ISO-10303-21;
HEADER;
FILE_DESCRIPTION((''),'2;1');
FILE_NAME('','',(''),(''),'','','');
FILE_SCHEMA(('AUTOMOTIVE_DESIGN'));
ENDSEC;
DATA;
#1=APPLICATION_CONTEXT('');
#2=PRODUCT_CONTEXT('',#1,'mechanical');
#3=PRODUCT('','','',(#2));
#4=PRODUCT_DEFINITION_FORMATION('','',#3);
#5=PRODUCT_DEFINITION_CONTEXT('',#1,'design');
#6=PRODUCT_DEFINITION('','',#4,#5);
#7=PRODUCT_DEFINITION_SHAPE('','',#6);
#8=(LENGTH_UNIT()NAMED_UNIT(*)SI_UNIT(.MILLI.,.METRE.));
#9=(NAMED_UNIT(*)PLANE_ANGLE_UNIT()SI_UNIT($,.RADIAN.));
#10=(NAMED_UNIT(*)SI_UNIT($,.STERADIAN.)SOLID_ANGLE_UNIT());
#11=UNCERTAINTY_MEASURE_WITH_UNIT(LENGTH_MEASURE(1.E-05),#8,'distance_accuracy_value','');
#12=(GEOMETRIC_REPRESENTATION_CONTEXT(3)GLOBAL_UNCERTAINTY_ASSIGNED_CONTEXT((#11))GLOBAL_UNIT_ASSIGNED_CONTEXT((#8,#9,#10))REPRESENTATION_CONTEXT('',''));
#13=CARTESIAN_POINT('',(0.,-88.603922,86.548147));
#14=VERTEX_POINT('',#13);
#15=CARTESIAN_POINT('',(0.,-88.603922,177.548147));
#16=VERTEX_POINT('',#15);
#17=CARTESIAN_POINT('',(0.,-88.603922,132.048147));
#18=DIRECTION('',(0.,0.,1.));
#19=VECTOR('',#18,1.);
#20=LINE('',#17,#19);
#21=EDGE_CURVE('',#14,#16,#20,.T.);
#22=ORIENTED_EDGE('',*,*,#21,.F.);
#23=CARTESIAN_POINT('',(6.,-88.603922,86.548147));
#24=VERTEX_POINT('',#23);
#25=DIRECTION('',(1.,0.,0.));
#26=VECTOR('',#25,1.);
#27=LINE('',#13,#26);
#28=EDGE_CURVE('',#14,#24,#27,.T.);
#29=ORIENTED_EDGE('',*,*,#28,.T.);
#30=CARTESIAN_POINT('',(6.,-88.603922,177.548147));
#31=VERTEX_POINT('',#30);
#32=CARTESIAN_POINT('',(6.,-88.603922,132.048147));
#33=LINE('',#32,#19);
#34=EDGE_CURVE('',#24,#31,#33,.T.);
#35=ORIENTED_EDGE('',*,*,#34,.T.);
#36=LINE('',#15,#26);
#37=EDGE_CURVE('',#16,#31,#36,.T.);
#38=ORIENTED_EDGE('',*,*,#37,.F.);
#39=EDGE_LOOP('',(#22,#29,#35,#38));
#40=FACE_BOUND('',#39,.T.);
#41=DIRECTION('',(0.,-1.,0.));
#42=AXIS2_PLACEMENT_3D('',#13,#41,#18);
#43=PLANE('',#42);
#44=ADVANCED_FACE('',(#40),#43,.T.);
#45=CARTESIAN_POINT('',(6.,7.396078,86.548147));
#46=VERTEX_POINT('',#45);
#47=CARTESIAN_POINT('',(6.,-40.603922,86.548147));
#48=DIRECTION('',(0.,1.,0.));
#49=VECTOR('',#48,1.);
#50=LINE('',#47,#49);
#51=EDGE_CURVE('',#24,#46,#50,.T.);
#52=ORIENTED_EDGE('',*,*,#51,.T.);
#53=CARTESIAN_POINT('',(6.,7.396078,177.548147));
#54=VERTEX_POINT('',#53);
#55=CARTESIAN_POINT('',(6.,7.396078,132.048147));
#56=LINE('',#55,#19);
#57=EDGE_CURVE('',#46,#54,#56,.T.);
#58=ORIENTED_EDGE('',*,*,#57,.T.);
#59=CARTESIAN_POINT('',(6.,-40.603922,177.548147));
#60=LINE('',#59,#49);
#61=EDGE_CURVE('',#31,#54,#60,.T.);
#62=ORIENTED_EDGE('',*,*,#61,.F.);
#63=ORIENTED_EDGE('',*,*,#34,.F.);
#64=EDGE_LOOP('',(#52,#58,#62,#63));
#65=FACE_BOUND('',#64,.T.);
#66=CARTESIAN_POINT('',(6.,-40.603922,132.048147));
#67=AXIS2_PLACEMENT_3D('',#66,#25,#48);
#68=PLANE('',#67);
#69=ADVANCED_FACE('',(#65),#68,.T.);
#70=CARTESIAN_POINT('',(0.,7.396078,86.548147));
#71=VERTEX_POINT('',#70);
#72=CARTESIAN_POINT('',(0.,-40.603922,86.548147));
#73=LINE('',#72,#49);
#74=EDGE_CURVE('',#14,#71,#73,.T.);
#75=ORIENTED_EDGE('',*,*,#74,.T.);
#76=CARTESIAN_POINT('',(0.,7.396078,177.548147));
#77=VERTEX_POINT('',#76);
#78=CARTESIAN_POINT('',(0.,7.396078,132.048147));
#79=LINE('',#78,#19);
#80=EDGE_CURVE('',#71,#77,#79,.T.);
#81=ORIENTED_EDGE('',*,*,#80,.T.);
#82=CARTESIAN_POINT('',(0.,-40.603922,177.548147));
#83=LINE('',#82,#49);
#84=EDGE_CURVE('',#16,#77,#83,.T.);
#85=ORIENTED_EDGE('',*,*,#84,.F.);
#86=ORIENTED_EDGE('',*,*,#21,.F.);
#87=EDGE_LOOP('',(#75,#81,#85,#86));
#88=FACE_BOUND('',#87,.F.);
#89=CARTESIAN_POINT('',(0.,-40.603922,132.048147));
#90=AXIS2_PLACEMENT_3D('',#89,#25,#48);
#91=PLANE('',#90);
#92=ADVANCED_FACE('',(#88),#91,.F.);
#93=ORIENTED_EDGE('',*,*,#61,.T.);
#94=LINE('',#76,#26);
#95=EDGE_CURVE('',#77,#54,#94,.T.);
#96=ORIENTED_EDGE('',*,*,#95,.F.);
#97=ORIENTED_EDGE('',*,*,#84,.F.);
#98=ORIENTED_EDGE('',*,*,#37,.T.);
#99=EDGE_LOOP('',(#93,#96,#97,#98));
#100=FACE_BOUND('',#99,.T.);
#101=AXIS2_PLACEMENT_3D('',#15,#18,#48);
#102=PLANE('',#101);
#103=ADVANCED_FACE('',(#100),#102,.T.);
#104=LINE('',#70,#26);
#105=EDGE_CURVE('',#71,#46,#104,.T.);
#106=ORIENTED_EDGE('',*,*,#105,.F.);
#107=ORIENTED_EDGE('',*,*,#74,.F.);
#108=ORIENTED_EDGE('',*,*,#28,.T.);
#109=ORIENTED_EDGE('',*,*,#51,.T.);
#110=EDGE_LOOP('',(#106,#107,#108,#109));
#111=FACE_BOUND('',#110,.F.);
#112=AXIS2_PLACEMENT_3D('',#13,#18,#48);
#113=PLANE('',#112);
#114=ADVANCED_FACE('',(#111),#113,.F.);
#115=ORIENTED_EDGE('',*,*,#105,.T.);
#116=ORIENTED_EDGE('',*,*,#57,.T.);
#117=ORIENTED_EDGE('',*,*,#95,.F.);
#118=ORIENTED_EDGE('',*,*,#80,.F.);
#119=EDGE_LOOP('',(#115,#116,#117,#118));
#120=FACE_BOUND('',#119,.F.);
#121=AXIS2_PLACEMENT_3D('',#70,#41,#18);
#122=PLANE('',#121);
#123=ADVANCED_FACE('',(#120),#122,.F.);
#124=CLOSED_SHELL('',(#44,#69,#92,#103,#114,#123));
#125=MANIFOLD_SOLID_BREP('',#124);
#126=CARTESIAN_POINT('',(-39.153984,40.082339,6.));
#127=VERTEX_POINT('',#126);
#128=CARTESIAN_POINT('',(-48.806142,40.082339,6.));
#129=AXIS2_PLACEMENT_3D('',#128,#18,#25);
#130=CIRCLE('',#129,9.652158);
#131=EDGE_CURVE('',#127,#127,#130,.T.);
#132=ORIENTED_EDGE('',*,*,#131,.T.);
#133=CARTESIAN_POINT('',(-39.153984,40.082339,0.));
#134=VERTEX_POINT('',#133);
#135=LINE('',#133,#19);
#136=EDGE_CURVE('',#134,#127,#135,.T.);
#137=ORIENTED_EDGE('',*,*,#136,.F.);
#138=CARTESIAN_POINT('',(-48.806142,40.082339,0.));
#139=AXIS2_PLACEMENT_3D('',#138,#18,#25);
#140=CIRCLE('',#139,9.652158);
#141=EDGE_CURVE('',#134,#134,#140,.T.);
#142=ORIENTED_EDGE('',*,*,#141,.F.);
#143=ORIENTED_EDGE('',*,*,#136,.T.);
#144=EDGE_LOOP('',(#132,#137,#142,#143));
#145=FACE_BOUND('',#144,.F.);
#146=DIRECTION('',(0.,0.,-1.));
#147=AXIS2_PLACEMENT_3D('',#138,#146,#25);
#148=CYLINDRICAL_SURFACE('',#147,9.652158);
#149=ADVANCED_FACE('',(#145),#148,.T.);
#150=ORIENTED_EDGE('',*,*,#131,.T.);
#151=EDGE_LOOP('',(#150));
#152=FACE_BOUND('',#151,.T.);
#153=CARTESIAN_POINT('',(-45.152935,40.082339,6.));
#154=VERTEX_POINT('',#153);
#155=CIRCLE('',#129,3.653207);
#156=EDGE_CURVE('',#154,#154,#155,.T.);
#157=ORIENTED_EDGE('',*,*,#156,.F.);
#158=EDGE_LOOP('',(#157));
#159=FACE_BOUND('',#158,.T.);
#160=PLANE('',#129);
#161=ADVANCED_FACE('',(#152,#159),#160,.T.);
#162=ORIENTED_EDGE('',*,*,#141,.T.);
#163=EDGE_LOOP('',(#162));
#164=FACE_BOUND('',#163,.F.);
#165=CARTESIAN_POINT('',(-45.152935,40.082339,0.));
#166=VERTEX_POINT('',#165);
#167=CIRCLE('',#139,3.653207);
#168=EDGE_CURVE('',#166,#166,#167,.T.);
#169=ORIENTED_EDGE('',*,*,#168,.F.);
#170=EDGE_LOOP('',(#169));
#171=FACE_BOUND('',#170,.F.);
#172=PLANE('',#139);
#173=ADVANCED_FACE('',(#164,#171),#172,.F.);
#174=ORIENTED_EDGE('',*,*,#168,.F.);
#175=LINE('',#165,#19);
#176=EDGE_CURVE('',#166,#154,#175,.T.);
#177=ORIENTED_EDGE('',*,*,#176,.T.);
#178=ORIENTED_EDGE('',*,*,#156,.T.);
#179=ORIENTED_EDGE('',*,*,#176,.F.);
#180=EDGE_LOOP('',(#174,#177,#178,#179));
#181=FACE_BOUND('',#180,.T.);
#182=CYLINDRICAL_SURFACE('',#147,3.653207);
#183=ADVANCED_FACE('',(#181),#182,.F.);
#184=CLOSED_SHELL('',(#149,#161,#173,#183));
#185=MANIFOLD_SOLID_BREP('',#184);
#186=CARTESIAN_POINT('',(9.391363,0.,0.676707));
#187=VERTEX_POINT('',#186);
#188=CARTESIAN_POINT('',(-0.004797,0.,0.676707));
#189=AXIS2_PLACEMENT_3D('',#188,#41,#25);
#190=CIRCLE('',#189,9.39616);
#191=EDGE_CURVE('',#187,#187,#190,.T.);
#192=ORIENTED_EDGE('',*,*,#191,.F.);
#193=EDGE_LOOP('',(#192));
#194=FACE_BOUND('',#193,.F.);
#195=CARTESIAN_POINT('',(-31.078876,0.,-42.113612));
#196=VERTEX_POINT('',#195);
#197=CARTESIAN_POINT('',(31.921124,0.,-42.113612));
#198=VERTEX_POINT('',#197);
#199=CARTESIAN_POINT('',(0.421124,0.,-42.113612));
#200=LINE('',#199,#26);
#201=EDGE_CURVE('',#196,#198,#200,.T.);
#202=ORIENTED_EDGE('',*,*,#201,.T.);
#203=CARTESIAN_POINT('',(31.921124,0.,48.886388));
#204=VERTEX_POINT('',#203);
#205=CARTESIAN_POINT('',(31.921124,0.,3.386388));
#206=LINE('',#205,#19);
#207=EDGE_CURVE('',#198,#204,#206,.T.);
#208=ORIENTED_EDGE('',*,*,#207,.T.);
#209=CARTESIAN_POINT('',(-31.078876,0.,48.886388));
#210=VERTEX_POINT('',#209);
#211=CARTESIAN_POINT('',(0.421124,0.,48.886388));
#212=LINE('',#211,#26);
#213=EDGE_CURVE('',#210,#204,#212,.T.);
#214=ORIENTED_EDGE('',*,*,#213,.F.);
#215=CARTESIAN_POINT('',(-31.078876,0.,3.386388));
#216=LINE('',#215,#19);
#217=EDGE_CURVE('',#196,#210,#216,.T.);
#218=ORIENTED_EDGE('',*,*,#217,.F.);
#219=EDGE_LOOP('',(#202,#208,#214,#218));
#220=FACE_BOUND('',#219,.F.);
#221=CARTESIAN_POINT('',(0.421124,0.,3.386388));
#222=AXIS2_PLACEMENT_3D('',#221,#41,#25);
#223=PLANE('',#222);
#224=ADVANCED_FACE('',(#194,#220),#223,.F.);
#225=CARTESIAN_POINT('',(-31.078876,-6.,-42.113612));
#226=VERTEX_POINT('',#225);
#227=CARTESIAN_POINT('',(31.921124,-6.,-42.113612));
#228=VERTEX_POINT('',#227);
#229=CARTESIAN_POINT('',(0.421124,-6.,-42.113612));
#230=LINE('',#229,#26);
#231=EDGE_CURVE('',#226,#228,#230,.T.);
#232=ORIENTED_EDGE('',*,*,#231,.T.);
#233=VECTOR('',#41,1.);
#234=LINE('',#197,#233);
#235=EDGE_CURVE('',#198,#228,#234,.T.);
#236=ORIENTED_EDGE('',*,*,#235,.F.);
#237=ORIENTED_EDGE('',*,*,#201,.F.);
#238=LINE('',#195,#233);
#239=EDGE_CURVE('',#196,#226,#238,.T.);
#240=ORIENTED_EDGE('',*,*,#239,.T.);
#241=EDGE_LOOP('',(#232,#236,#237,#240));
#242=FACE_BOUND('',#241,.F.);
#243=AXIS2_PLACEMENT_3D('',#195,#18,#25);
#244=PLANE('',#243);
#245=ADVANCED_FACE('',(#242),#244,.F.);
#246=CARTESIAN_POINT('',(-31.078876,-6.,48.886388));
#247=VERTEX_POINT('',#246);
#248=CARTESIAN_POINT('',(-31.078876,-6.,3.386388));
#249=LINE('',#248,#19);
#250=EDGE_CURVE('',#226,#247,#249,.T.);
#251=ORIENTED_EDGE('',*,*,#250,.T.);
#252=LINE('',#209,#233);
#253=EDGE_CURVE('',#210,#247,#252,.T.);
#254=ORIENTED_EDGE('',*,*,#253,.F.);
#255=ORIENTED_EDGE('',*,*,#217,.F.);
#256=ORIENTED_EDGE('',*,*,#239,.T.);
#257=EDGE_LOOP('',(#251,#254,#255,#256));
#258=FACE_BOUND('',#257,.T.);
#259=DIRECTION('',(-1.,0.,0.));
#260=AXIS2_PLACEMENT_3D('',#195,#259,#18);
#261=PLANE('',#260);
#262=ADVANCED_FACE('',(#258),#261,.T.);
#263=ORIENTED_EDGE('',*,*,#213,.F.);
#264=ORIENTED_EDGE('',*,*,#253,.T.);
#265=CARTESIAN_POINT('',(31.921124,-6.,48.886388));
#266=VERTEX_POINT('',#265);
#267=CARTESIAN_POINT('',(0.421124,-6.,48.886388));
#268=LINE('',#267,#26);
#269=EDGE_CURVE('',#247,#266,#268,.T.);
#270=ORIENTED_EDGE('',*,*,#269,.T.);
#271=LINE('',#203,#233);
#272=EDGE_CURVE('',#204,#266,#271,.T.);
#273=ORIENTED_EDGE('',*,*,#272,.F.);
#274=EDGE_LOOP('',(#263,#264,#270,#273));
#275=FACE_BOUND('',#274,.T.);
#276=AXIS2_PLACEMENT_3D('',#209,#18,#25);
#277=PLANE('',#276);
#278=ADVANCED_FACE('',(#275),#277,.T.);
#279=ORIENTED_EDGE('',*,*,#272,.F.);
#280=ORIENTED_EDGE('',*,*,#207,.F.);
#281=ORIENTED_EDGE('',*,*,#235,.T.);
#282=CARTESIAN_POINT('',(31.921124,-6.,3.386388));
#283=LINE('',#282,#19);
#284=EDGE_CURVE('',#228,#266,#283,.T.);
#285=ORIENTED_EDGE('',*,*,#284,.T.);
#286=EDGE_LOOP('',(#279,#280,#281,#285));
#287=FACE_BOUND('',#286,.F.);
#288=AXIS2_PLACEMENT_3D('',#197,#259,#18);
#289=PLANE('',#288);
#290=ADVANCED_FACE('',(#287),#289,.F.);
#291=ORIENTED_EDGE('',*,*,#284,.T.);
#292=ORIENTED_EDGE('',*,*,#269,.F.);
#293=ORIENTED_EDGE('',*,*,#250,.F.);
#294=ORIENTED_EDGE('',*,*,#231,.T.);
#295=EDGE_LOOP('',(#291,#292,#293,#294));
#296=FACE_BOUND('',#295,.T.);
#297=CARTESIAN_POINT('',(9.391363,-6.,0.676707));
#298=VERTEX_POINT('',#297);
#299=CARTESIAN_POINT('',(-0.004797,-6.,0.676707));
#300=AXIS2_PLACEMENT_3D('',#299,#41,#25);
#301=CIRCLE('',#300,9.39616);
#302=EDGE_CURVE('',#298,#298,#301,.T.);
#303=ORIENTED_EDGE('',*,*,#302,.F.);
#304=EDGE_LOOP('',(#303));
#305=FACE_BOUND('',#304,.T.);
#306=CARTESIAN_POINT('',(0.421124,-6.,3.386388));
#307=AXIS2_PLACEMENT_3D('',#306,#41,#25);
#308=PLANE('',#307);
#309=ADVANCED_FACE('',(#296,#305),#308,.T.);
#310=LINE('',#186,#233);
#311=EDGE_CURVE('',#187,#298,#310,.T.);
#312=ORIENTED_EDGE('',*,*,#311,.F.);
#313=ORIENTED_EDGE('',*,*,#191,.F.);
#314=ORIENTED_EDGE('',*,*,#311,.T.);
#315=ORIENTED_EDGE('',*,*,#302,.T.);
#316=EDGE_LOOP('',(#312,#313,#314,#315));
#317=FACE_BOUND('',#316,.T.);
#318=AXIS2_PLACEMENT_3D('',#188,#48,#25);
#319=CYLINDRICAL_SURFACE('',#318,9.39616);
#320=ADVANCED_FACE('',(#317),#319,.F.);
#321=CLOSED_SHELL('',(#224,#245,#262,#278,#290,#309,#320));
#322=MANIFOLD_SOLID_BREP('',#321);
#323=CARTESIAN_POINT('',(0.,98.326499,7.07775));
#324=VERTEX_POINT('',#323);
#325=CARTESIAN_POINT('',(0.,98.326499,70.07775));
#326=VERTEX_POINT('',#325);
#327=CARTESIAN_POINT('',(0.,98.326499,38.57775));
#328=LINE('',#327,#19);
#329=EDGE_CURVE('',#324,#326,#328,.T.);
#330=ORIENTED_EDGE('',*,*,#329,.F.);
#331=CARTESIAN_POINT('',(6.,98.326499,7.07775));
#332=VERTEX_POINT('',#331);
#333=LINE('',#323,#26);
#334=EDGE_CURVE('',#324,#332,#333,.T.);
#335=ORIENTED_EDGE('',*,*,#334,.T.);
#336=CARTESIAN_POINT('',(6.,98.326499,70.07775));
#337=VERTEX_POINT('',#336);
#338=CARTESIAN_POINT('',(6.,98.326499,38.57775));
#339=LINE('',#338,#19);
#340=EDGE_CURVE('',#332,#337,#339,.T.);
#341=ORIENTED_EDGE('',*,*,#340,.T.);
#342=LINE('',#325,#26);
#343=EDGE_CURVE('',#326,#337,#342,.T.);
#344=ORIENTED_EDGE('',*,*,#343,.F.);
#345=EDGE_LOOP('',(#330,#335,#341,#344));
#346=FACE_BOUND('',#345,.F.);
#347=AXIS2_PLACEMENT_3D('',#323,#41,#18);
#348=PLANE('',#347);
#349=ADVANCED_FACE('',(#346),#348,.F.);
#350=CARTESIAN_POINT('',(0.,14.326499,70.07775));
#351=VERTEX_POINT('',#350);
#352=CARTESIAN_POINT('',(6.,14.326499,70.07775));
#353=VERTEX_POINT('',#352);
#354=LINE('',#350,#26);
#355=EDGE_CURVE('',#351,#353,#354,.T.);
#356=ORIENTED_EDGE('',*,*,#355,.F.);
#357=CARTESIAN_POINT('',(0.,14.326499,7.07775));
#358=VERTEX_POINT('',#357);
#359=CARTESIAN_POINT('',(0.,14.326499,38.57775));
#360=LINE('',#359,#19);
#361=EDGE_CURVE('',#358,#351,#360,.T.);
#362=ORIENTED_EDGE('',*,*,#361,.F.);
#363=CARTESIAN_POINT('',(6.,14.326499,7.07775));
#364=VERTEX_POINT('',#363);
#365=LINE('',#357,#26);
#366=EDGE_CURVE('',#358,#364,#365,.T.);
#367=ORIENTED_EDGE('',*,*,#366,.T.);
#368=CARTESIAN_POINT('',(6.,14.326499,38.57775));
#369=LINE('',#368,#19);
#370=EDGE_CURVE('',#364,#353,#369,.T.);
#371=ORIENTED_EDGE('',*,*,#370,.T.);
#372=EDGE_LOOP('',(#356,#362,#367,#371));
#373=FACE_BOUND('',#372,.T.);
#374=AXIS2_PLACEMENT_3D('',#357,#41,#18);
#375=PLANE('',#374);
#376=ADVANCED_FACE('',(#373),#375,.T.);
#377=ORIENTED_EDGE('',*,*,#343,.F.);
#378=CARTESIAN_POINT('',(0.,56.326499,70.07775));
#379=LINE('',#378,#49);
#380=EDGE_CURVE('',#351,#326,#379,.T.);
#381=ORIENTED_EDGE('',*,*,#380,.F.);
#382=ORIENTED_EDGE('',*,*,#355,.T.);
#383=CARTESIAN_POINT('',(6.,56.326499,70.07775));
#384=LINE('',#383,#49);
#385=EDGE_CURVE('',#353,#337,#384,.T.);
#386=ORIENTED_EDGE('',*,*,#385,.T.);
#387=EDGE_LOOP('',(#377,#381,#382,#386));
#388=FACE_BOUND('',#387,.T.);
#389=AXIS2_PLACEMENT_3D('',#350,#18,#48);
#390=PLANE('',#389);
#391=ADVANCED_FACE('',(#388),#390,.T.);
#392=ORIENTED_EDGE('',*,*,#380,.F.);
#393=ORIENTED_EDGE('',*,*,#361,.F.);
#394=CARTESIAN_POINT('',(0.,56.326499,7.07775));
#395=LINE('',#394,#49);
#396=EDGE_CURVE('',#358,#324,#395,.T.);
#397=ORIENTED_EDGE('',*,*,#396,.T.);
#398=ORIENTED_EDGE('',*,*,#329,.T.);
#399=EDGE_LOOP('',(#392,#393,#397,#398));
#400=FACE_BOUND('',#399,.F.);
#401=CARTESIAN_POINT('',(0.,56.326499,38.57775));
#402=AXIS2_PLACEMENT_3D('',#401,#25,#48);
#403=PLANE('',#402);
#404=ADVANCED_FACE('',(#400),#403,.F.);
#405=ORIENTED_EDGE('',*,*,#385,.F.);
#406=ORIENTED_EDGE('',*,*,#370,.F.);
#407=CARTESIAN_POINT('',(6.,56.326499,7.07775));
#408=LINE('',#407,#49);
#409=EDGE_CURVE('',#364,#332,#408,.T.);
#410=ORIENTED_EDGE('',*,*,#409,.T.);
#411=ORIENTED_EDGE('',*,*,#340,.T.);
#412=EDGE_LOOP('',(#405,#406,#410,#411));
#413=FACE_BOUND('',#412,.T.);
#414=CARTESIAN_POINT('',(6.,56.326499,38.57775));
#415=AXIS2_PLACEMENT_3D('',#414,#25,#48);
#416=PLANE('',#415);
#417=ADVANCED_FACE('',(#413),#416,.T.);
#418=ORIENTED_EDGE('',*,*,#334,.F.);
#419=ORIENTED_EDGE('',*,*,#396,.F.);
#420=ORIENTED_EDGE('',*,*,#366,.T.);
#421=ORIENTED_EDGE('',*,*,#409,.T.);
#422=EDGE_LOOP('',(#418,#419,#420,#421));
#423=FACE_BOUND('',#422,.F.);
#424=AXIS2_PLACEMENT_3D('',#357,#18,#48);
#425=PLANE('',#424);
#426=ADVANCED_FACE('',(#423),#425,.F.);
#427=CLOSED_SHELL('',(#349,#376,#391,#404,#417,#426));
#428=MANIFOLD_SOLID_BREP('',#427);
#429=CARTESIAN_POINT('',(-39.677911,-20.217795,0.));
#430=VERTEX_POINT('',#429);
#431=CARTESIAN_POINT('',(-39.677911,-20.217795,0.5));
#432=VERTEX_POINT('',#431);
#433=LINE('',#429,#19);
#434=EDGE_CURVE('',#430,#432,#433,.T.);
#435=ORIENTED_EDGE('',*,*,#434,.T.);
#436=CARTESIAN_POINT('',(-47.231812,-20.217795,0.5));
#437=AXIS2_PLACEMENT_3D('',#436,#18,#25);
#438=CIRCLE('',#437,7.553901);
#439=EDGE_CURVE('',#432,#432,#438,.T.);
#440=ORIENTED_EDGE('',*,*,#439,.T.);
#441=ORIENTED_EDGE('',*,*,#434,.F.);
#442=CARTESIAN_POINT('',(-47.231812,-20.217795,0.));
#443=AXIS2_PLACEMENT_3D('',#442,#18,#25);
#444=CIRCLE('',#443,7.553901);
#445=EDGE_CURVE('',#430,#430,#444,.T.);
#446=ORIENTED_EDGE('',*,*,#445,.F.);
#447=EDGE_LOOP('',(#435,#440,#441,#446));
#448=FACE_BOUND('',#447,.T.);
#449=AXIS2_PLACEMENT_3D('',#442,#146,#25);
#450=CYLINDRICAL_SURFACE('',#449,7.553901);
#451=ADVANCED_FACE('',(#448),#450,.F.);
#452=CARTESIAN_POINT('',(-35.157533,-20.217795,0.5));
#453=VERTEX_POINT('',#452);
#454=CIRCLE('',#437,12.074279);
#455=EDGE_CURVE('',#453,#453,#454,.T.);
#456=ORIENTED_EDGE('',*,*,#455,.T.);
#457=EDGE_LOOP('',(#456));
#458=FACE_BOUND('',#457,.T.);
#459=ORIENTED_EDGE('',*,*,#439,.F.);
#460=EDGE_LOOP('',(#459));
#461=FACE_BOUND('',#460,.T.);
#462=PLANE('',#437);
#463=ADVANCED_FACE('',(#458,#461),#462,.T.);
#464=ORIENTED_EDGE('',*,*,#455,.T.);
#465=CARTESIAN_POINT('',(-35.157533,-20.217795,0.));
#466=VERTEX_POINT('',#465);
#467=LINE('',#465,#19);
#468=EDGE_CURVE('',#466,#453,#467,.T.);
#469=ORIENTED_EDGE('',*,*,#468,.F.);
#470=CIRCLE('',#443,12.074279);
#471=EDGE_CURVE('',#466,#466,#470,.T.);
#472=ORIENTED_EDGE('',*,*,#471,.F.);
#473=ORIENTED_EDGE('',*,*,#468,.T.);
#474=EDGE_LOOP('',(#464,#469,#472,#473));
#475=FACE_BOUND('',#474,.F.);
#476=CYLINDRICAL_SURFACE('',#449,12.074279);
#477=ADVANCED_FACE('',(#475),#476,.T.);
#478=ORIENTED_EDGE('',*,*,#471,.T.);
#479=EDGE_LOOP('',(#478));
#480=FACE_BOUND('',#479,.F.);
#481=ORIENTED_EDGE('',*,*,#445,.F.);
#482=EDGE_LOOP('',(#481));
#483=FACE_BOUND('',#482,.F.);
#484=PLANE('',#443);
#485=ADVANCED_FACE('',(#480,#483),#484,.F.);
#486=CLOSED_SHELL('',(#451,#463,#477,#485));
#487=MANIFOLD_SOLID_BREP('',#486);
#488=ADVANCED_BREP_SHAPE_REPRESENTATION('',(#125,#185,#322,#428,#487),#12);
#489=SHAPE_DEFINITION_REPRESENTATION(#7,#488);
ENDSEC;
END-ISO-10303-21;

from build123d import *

# Parameters (mm, degrees)
F0_W     = 63
F0_H     = 91
F0_R     = 9.39616
F1_DEPTH = 6
F2_W     = 96
F2_H     = 91
F3_DEPTH = 6
F4_R     = 9.652158
F4_R_2   = 3.653207
F5_DEPTH = 6
F6_W     = 84
F6_H     = 63
F7_DEPTH = 6
F8_R     = 12.074279
F8_R_2   = 7.553901
F9_DEPTH = 0.5


with BuildPart() as f1:
    # F0 (on Front) → F1 (new body)
    with BuildSketch(Plane.XZ):
        with Locations((0.421124, 3.386388)):
            Rectangle(F0_W, F0_H)
        with Locations((-0.004797, 0.676707)):
            Circle(F0_R, mode=Mode.SUBTRACT)
    extrude(amount=F1_DEPTH)


with BuildPart() as f3:
    # F2 (on Right) → F3 (new body)
    with BuildSketch(Plane.YZ):
        with Locations((-40.603922, 132.048147)):
            Rectangle(F2_W, F2_H)
    extrude(amount=F3_DEPTH)


with BuildPart() as f5:
    # F4 (on Top) → F5 (new body)
    with BuildSketch(Plane.XY):
        with Locations((-48.806142, 40.082339)):
            Circle(F4_R)
        with Locations((-48.806142, 40.082339)):
            Circle(F4_R_2, mode=Mode.SUBTRACT)
    extrude(amount=F5_DEPTH)


with BuildPart() as f7:
    # F6 (on Right) → F7 (new body)
    with BuildSketch(Plane.YZ):
        with Locations((56.326499, 38.57775)):
            Rectangle(F6_W, F6_H)
    extrude(amount=F7_DEPTH)


with BuildPart() as f9:
    # F8 (on Top) → F9 (new body)
    with BuildSketch(Plane.XY):
        with Locations((-47.231812, -20.217795)):
            Circle(F8_R)
        with Locations((-47.231812, -20.217795)):
            Circle(F8_R_2, mode=Mode.SUBTRACT)
    extrude(amount=F9_DEPTH)


solid = Compound([f1.part, f3.part, f5.part, f7.part, f9.part])
